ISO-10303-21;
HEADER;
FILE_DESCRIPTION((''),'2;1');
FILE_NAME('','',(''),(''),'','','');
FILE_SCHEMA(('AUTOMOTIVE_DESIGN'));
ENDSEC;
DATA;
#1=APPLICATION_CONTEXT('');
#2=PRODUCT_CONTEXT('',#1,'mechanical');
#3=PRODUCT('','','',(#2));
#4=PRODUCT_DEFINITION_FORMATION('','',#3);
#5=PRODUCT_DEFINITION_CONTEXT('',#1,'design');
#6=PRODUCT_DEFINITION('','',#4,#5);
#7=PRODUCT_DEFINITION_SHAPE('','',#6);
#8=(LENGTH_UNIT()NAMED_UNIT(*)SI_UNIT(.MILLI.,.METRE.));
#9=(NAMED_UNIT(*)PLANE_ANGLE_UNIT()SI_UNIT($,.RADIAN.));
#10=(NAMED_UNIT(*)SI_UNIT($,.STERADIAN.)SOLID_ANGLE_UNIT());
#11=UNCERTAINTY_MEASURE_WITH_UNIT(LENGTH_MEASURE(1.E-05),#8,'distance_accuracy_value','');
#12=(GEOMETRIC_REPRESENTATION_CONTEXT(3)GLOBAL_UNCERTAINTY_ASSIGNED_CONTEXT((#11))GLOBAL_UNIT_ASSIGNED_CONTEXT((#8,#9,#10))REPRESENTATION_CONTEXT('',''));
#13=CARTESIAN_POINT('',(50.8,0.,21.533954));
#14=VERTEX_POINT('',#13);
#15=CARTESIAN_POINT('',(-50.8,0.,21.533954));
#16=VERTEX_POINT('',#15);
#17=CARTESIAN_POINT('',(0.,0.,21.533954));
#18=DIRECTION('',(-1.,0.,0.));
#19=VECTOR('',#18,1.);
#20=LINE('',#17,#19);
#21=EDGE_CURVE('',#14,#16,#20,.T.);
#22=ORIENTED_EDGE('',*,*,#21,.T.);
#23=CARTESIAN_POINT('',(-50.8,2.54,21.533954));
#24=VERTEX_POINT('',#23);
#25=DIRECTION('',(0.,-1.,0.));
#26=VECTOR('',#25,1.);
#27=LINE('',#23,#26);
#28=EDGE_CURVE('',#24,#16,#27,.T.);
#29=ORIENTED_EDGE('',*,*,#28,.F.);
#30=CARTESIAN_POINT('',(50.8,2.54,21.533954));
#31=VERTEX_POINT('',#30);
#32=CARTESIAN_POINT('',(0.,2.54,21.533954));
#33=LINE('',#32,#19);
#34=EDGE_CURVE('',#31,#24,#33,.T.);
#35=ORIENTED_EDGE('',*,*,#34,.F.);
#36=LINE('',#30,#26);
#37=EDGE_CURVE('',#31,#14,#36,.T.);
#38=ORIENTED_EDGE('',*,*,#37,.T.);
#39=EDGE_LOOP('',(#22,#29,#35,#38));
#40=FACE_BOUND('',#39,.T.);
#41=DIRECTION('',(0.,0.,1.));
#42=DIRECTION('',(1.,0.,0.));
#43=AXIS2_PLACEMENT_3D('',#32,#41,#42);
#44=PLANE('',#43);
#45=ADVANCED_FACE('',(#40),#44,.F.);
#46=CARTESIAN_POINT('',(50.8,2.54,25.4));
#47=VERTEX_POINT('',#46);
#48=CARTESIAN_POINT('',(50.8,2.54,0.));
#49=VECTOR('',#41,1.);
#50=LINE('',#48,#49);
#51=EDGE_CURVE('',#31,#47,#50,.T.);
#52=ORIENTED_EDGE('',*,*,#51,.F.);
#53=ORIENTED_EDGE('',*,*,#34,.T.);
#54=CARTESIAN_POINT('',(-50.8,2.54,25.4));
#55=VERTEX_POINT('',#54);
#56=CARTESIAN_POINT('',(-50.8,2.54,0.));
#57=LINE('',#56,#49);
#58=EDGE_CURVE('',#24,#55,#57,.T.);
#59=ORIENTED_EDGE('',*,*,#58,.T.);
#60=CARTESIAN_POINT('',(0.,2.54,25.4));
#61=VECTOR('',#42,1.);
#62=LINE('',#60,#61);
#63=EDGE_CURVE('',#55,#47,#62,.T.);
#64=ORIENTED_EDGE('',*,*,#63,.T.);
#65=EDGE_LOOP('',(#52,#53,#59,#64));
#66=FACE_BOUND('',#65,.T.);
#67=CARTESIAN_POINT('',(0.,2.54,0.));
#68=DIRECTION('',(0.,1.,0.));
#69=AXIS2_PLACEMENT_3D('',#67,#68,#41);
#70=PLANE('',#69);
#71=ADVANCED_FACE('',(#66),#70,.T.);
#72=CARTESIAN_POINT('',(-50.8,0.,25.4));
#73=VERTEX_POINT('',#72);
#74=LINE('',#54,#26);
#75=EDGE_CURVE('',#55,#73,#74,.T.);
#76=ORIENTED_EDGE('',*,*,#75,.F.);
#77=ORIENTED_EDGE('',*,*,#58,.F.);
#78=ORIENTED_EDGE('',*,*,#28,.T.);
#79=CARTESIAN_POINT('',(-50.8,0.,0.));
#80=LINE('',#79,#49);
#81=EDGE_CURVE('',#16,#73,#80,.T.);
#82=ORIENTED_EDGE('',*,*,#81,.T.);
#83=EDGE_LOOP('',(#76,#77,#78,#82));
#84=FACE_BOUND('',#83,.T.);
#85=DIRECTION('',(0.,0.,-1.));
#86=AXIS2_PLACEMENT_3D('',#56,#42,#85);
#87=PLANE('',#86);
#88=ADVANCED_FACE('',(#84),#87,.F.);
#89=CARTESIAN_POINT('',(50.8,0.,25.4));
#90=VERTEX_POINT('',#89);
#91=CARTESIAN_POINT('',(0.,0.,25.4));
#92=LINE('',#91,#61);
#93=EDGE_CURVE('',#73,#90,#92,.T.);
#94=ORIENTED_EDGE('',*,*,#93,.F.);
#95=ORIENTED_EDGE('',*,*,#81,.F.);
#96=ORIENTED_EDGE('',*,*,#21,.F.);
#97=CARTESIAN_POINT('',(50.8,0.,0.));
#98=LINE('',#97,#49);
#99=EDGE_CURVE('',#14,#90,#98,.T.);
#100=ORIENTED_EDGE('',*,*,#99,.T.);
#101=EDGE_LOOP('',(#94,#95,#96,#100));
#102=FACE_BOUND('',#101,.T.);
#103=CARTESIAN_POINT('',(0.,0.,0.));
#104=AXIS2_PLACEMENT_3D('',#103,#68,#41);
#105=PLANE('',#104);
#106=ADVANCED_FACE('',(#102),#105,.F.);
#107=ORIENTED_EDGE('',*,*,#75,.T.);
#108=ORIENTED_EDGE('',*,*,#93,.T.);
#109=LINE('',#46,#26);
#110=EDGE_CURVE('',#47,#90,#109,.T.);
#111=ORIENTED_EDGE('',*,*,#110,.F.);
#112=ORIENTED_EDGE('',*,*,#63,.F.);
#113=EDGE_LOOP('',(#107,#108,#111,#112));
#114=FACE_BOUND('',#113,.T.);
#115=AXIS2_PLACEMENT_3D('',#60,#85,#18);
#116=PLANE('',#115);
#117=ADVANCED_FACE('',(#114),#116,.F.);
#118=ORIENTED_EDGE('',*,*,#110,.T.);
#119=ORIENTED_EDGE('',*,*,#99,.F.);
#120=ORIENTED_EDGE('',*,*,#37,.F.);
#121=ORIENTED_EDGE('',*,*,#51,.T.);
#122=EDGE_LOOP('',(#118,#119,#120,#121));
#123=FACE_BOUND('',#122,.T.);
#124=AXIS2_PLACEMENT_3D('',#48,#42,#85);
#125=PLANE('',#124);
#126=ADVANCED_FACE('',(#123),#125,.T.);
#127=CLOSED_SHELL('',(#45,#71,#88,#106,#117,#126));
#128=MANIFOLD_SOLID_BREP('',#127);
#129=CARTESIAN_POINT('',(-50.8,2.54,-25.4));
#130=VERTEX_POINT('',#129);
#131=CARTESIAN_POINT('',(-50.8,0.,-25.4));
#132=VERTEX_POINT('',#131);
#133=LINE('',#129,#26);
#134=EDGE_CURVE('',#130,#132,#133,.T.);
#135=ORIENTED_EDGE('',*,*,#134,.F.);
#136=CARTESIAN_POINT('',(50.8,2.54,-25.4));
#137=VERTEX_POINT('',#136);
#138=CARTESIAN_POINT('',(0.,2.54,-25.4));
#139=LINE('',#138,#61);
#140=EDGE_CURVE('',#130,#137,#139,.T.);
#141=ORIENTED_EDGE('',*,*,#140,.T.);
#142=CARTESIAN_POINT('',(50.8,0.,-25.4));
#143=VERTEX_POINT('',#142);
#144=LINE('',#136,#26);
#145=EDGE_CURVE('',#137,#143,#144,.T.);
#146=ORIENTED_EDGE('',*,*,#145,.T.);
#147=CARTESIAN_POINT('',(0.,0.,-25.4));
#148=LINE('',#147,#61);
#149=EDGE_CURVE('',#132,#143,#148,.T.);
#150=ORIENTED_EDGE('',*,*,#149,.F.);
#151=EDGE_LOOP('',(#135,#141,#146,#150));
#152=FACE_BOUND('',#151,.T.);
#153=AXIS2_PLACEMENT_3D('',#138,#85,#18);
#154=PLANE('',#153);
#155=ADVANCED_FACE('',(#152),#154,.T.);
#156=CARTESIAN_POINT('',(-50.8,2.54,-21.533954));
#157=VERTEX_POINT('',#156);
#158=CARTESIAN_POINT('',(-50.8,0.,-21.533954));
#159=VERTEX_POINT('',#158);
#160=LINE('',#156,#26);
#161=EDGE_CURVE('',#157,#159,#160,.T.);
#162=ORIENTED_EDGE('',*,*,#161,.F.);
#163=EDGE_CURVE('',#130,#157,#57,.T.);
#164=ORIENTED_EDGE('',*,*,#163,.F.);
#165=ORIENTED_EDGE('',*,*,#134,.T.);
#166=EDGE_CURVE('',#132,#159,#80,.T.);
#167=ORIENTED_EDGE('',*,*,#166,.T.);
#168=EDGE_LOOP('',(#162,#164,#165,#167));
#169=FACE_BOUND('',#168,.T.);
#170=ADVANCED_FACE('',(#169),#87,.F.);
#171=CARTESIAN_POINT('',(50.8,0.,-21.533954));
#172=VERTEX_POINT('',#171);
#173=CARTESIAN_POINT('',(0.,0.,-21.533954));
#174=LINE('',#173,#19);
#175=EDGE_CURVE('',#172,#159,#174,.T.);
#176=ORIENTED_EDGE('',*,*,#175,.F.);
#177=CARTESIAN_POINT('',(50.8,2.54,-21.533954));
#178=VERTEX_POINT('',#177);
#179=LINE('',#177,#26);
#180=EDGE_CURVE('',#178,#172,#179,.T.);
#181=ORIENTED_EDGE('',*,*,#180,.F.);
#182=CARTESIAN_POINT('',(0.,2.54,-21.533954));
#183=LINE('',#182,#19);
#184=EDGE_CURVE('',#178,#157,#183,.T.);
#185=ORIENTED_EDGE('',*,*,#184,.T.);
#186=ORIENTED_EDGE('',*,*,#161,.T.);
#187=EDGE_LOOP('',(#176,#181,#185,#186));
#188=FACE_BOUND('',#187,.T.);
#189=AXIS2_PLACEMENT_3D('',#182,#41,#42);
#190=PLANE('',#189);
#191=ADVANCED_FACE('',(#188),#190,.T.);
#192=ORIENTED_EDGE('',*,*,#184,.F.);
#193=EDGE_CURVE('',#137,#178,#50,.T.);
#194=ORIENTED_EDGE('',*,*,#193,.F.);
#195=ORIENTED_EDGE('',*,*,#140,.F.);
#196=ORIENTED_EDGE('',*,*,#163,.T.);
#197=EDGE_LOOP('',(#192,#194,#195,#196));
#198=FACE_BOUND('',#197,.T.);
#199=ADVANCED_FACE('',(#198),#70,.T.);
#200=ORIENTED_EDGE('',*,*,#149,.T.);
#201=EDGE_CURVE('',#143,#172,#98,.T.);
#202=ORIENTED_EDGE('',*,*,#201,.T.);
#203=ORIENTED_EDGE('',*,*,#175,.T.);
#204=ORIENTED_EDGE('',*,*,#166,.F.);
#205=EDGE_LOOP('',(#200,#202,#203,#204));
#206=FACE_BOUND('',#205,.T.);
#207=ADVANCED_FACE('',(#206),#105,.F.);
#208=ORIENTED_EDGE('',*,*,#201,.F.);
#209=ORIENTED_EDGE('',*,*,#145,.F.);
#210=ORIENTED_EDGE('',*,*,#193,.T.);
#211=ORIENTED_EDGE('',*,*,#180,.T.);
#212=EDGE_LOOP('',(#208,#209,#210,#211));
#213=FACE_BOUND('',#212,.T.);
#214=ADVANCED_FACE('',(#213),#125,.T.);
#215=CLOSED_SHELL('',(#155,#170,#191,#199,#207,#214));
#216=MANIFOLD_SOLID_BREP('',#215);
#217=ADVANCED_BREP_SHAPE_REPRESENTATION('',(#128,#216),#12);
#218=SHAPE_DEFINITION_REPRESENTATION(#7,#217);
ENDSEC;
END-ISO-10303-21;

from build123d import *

# Parameters (mm, degrees)
SKETCH1_W             = 101.6
SKETCH1_H             = 3.866046113
BOSS_EXTRUDE2_DEPTH   = 2.54
BOSS_EXTRUDE2_2_DEPTH = 2.54


with BuildPart() as part:
    # Sketch1 → Boss-Extrude2 (new body)
    with BuildSketch(Plane(origin=(0, 0, 0), x_dir=(1, 0, 0), z_dir=(0, 1, 0))):
        with Locations((0, -23.466976944)):
            Rectangle(SKETCH1_W, SKETCH1_H)
    extrude(amount=BOSS_EXTRUDE2_DEPTH)


with BuildPart() as body_2:
    # Sketch1 → Boss-Extrude2 2 (new body)
    with BuildSketch(Plane(origin=(0, 0, 0), x_dir=(1, 0, 0), z_dir=(0, 1, 0))):
        with Locations((0, 23.466976944)):
            Rectangle(SKETCH1_W, SKETCH1_H)
    extrude(amount=BOSS_EXTRUDE2_2_DEPTH)


solid = Compound([part.part, body_2.part])
